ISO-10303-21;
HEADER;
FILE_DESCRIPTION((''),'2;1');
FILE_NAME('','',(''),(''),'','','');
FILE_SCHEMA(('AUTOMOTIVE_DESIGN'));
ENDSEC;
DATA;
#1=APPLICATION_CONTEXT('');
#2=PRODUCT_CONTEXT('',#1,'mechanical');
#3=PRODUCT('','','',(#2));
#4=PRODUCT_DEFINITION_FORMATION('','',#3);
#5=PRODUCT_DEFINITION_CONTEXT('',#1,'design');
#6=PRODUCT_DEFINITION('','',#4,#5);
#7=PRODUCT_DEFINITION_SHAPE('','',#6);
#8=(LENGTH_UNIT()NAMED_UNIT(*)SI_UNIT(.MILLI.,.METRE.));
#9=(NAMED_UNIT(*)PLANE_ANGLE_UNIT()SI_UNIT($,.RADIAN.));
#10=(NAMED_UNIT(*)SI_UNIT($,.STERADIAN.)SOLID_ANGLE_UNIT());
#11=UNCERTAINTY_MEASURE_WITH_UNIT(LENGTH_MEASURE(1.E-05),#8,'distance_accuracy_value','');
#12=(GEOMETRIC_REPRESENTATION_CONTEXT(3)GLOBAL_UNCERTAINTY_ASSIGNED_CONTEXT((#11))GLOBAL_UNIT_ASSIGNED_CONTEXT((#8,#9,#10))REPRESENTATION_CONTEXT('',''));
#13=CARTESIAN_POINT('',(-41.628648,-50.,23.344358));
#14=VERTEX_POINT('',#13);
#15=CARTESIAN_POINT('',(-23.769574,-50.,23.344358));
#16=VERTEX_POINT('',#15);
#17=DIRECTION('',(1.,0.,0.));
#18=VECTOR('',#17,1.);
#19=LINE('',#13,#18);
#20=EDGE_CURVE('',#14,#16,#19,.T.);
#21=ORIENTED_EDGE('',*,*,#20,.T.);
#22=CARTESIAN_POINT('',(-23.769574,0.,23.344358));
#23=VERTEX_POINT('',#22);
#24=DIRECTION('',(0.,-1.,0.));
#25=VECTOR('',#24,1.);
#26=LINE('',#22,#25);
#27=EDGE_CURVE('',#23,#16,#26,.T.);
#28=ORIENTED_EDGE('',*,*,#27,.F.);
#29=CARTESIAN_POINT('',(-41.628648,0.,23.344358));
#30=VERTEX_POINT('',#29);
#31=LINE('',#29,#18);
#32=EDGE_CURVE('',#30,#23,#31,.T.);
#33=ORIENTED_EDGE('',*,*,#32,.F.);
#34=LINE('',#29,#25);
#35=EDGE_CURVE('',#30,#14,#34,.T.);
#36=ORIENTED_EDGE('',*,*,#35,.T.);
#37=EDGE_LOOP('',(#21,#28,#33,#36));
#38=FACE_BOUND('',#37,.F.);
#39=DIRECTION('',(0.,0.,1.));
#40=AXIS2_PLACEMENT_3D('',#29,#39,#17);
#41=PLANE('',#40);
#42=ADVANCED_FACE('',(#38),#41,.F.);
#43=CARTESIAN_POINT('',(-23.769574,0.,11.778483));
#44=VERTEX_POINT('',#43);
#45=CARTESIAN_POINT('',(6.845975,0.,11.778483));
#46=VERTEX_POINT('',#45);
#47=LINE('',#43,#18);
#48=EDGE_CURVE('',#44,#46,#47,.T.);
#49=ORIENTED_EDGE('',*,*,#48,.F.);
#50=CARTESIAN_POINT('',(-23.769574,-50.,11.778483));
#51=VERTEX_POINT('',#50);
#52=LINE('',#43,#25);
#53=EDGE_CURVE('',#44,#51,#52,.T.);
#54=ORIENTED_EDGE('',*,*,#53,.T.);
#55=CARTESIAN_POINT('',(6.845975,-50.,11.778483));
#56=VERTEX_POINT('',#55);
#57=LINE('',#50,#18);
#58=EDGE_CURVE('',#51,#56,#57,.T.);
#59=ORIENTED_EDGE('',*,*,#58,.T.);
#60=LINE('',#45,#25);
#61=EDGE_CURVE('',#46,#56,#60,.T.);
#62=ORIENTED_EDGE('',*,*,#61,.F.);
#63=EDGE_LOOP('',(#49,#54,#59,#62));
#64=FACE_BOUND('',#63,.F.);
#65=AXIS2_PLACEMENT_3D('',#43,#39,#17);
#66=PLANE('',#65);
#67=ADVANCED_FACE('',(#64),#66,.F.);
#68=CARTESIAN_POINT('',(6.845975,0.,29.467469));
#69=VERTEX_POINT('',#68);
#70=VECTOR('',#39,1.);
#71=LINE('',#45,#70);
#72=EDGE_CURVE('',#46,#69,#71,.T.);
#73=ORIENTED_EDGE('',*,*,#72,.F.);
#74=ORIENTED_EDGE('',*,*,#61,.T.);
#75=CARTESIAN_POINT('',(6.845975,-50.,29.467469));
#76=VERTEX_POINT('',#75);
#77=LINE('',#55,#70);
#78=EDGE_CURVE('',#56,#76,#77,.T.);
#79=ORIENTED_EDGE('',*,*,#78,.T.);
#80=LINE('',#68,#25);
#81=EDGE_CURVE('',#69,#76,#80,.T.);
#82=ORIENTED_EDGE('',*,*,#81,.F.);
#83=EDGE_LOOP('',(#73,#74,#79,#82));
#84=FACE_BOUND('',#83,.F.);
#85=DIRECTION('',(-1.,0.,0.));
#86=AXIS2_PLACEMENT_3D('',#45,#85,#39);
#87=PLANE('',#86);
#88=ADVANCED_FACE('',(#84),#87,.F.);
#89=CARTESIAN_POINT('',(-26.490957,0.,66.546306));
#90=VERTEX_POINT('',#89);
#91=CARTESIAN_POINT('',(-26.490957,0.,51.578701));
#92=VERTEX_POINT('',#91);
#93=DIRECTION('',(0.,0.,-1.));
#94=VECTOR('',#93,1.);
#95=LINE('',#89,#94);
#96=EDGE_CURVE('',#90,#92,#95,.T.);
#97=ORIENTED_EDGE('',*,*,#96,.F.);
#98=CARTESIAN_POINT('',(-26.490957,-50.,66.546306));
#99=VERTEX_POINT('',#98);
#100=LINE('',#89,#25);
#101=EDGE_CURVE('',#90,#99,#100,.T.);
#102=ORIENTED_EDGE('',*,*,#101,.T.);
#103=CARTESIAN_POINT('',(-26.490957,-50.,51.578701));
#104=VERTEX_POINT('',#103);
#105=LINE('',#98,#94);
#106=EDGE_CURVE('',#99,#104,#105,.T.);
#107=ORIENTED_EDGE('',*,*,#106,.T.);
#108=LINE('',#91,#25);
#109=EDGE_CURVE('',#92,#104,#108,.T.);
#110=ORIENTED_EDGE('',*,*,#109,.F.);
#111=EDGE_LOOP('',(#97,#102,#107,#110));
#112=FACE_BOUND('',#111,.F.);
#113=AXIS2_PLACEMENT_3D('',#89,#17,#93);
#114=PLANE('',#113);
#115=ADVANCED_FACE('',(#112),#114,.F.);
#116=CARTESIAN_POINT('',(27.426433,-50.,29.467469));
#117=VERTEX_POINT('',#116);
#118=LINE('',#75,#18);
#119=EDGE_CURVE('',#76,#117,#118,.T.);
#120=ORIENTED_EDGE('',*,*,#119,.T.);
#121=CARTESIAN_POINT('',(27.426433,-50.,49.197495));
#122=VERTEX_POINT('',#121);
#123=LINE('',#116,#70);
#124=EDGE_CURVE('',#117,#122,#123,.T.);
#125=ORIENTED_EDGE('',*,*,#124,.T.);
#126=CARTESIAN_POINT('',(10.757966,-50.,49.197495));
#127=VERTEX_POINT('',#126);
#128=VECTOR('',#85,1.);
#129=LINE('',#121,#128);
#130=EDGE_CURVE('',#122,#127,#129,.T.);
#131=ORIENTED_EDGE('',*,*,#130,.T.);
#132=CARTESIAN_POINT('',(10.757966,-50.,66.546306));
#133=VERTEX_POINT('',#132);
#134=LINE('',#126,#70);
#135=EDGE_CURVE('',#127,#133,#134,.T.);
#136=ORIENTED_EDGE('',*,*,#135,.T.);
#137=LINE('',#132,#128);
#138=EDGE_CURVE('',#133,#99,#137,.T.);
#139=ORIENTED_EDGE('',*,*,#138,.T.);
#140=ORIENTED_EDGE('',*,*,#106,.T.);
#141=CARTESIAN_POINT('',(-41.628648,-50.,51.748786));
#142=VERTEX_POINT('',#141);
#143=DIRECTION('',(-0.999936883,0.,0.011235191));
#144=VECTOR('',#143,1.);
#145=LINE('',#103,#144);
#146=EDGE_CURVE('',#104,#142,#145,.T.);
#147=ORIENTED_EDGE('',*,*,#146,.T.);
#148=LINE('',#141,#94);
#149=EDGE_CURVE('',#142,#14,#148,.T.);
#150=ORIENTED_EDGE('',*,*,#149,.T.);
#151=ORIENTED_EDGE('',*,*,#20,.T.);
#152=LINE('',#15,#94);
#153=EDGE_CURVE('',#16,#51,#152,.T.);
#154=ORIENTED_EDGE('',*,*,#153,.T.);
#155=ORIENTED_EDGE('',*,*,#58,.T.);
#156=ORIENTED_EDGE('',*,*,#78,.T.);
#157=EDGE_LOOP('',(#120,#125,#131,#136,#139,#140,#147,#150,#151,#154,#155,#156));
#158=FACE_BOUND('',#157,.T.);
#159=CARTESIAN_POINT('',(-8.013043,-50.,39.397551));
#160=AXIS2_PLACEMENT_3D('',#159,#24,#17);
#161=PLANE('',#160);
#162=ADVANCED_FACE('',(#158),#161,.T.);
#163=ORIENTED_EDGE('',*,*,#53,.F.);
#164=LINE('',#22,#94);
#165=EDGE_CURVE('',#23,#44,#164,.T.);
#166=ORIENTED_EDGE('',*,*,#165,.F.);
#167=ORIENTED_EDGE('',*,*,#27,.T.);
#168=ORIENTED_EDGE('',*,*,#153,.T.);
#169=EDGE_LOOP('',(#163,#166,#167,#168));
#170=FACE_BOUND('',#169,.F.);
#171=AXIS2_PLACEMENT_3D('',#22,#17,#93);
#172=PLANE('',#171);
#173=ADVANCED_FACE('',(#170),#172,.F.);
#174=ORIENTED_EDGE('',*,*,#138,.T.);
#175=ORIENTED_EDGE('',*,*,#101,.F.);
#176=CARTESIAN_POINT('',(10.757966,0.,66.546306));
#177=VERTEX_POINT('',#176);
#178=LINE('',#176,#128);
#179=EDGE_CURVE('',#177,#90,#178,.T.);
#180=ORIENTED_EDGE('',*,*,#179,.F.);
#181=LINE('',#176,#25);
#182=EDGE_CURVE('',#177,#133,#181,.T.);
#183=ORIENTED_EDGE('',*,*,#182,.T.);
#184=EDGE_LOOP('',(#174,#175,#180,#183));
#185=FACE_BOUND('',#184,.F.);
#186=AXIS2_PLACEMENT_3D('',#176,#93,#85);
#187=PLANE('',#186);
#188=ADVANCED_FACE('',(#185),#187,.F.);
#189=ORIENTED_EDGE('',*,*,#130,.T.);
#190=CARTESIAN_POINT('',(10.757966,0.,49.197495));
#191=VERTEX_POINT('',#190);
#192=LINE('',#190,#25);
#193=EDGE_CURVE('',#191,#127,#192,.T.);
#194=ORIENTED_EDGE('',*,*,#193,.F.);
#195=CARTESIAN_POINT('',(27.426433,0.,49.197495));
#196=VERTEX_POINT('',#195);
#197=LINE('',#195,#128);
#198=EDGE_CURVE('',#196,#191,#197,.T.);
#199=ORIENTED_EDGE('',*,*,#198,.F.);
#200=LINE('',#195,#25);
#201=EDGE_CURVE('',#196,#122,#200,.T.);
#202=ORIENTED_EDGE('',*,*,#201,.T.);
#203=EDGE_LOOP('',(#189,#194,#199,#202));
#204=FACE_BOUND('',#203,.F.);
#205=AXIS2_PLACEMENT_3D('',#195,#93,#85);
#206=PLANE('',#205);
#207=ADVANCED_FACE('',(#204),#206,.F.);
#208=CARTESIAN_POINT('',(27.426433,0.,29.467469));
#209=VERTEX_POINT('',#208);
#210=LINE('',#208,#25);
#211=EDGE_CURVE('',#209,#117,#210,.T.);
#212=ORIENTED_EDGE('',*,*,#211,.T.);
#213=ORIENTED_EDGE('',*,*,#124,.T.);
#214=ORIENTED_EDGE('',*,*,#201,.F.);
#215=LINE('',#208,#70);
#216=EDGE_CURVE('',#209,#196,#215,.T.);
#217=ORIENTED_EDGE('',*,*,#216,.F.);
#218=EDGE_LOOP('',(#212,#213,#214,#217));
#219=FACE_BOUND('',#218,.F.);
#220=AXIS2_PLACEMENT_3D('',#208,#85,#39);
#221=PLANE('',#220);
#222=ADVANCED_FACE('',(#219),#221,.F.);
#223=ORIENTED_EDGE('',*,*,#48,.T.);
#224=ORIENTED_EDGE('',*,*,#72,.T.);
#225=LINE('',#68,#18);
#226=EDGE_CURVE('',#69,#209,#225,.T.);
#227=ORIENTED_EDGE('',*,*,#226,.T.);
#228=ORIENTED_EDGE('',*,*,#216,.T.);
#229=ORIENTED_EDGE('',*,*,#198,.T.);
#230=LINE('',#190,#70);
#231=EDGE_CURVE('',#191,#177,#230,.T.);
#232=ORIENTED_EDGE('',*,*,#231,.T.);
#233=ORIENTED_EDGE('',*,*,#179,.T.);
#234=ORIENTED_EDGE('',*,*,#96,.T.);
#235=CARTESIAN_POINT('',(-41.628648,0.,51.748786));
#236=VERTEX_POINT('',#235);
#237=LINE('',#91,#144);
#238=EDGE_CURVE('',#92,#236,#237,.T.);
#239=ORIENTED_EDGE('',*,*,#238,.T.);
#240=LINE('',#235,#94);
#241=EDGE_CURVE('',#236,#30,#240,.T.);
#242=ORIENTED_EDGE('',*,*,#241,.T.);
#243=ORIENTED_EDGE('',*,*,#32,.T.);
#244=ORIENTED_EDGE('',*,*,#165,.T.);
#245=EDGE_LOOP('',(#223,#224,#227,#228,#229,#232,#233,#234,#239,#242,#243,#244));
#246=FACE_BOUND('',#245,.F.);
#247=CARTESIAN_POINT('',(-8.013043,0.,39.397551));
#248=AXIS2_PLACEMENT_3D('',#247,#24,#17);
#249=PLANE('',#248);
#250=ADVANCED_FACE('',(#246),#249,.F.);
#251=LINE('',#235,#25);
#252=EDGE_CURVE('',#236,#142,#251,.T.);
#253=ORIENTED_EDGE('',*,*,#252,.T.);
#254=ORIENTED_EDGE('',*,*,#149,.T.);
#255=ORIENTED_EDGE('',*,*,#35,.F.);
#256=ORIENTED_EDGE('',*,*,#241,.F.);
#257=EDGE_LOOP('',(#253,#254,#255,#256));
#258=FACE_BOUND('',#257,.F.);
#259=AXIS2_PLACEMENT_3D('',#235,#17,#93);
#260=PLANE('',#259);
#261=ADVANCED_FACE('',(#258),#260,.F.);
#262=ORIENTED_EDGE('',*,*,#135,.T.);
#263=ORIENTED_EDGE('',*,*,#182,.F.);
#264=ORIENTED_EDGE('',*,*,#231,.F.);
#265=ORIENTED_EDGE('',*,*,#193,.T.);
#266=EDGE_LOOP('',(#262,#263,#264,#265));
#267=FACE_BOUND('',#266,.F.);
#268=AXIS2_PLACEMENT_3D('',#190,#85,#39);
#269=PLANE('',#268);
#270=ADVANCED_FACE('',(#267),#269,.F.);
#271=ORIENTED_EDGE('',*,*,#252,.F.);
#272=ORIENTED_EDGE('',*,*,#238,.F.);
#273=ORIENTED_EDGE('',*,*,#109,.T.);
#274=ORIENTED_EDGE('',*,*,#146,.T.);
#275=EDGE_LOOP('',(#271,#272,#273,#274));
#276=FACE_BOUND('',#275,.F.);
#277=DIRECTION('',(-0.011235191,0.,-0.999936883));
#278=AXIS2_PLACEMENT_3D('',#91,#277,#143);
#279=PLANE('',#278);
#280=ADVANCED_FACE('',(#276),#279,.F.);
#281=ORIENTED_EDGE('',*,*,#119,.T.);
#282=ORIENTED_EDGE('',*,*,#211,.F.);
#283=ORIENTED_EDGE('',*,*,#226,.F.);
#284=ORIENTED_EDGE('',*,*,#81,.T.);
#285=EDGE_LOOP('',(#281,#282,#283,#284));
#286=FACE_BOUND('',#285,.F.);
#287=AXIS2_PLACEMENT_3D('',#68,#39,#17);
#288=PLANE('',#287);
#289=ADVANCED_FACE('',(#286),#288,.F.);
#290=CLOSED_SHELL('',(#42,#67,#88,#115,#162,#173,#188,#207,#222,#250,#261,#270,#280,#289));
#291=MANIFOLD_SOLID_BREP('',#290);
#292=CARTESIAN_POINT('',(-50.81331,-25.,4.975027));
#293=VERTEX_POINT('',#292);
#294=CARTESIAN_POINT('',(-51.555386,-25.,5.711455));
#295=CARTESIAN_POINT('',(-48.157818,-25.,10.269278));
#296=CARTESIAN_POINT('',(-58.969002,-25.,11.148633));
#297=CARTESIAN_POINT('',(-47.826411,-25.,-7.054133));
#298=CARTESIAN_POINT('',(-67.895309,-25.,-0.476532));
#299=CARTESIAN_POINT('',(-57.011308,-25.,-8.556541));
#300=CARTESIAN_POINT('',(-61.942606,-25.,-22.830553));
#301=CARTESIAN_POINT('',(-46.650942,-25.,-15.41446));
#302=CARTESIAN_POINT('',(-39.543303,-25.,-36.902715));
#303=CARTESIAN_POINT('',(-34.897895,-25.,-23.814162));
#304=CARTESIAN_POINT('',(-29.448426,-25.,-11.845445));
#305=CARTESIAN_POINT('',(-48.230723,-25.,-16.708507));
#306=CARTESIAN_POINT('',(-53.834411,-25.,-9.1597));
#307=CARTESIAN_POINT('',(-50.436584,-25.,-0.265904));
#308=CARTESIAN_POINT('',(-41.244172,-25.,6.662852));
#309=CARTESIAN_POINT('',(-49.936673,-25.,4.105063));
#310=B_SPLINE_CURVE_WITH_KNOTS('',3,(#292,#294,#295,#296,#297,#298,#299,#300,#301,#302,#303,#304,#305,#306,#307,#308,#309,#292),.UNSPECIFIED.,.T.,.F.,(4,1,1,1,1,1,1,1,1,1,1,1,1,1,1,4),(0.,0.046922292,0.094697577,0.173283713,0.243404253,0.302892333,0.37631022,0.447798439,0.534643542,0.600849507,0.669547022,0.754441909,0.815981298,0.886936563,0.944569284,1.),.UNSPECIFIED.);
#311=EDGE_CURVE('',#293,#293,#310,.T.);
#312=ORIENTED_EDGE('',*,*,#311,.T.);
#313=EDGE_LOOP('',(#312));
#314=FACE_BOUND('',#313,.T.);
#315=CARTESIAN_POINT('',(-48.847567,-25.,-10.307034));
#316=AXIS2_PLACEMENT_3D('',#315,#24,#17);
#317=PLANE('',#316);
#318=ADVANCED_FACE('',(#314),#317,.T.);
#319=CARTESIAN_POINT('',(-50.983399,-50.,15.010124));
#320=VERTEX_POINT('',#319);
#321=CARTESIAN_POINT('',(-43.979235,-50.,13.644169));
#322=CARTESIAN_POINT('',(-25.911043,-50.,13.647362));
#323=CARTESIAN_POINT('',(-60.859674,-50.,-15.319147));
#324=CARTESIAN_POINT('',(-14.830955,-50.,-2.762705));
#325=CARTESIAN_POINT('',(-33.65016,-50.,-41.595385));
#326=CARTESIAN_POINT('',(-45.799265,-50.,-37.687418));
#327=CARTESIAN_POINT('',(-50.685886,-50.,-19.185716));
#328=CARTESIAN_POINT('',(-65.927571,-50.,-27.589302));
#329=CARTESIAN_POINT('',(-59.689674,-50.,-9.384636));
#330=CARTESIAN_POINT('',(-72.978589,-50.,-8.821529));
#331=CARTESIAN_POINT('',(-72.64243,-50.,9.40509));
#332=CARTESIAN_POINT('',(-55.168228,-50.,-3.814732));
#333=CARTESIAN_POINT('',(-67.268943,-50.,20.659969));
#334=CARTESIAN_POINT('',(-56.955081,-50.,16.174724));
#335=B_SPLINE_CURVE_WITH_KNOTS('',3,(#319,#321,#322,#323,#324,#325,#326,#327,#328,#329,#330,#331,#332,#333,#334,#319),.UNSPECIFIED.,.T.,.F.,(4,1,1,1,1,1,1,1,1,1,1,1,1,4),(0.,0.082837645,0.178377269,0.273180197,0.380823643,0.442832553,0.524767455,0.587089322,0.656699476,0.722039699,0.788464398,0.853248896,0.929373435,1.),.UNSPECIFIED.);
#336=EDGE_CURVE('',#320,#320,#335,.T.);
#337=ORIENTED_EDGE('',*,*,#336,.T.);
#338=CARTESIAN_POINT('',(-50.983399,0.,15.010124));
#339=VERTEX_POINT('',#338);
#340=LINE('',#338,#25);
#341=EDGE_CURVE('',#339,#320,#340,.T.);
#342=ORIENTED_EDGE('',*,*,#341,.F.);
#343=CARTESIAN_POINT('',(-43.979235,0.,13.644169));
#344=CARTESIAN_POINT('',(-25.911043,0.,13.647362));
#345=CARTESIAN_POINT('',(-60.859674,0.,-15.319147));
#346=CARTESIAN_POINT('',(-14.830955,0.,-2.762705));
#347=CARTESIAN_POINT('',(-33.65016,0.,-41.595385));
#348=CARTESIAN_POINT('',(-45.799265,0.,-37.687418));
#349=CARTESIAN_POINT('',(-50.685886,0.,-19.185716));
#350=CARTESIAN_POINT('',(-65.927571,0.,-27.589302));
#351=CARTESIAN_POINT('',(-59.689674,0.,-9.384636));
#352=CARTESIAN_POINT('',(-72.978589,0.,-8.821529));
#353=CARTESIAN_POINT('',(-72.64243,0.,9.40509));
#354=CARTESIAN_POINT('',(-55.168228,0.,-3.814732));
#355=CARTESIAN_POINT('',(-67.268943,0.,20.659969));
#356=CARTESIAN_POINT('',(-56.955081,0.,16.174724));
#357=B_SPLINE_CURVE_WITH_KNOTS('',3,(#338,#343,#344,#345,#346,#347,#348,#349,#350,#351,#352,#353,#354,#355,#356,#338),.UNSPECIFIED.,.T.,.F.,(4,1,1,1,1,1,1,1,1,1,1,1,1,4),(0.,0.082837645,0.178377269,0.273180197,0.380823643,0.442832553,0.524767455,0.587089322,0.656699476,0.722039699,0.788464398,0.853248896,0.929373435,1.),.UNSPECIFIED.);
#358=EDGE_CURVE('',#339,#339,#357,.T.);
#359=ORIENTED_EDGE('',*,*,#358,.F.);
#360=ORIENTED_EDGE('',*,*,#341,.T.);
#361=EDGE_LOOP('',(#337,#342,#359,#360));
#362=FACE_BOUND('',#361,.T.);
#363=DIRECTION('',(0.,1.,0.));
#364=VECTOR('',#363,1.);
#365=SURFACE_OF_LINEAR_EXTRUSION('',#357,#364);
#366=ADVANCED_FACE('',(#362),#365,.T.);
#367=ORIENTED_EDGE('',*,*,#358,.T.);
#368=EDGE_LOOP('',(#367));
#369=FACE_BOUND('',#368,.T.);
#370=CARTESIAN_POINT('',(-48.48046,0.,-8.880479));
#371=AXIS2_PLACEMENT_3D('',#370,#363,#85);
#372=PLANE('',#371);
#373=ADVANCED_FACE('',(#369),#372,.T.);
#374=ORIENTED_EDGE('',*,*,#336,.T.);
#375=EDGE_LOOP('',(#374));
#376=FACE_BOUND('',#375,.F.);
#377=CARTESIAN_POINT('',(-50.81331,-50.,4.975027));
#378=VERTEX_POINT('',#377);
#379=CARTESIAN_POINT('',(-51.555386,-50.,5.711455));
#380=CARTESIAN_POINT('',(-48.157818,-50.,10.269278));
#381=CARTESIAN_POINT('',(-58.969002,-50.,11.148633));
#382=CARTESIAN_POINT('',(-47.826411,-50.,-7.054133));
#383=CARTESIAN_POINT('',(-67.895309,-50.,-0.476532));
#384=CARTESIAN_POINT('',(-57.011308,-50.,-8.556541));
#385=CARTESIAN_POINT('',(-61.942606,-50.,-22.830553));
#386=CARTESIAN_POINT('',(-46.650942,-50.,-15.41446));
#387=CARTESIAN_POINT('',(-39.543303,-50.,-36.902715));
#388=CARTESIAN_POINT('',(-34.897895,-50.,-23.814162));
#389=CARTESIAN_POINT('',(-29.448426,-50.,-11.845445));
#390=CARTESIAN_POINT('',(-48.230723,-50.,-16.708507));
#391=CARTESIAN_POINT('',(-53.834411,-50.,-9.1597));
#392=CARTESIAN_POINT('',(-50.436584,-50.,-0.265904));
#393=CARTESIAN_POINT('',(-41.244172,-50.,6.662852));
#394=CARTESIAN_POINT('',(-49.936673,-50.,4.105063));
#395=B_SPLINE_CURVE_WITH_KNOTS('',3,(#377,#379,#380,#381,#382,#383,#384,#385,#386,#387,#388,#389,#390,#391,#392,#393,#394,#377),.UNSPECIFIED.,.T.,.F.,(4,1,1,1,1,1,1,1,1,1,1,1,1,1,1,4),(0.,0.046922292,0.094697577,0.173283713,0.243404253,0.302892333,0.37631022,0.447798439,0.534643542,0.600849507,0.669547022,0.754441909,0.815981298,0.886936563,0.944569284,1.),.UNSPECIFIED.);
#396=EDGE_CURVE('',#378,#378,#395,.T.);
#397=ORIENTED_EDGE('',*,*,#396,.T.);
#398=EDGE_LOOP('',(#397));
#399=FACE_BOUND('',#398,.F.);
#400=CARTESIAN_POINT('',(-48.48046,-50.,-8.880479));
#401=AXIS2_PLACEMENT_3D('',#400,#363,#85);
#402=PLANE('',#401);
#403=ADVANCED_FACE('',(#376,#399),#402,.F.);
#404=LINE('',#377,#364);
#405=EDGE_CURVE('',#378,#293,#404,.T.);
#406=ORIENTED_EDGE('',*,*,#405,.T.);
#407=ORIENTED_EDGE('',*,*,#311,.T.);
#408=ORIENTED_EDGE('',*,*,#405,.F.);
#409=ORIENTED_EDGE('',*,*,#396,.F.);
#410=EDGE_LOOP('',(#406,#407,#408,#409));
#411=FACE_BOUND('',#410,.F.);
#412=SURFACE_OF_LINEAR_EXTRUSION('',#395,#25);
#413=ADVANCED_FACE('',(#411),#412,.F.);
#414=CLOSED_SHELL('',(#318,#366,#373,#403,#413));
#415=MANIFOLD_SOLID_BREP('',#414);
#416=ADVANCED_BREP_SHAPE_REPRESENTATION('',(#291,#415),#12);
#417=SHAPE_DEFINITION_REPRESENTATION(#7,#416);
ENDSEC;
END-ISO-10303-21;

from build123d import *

# Parameters (mm, degrees)
F1_DEPTH = 50
F3_DEPTH = 25


with BuildPart() as f1:
    # F0 (on Front) → F1 (new body)
    with BuildSketch(Plane.XZ):
        Polygon((-26.4909565449, 51.5787005424), (-41.6286475956, 51.7487861216), (-41.6286475956, 23.3443584293), (-23.7695742399, 23.3443584293), (-23.7695742399, 11.7784831673), (6.8459752947, 11.7784831673), (6.8459752947, 29.4674690813), (27.4264328182, 29.4674690813), (27.4264328182, 49.1974949837), (10.7579659671, 49.1974949837), (10.7579659671, 66.5463060141), (-26.4909565449, 66.5463060141), align=None)
    extrude(amount=F1_DEPTH)


with BuildPart() as f1b:
    # F0 (on Front) → F1, piece 2 (new body)
    with BuildSketch(Plane.XZ):
        with BuildLine():
            add(Edge.make_bspline(
                [(-50.9833991528, 15.0101240724), (-43.9792349037, 13.6441693907), (-25.911043236, 13.6473617257), (-60.8596742323, -15.3191466581), (-14.8309549192, -2.7627047525), (-33.6501597144, -41.5953851726), (-45.7992648331, -37.6874180295), (-50.6858856662, -19.1857161117), (-65.9275705661, -27.5893021871), (-59.6896741564, -9.384636205), (-72.9785894339, -8.8215294352), (-72.6424299394, 9.4050898325), (-55.1682280417, -3.8147316828), (-67.2689432703, 20.6599685524), (-56.955081044, 16.1747236659), (-50.9833991528, 15.0101240724)],
                knots=[0, 0, 0, 0, 0.0828376449, 0.1783772688, 0.2731801967, 0.3808236427, 0.4428325527, 0.5247674548, 0.5870893216, 0.6566994761, 0.7220396992, 0.788464398, 0.8532488958, 0.9293734346, 1, 1, 1, 1], degree=3))
        make_face()
    extrude(amount=F1_DEPTH)

    # F2 (on face) → F3 (cut)
    with BuildSketch(Plane.XZ.offset(50)):
        with BuildLine():
            add(Edge.make_bspline(
                [(-50.8133098483, 4.9750274047), (-51.5553862729, 5.7114554256), (-48.1578177592, 10.2692782267), (-58.9690022177, 11.1486325331), (-47.8264108264, -7.0541330547), (-67.8953094289, -0.4765315887), (-57.0113083878, -8.55654061), (-61.9426057038, -22.830553001), (-46.6509415546, -15.4144595026), (-39.5433028873, -36.9027152524), (-34.8978946563, -23.8141620252), (-29.4484262604, -11.8454449754), (-48.2307231035, -16.7085066879), (-53.8344113908, -9.1596998431), (-50.4365844241, -0.2659040188), (-41.2441718347, 6.6628520808), (-49.9366726264, 4.1050628122), (-50.8133098483, 4.9750274047)],
                knots=[0, 0, 0, 0, 0.0469222919, 0.094697577, 0.1732837131, 0.2434042527, 0.3028923325, 0.3763102196, 0.4477984385, 0.5346435422, 0.6008495065, 0.6695470221, 0.754441909, 0.8159812981, 0.8869365628, 0.9445692839, 1, 1, 1, 1], degree=3))
        make_face()
    extrude(amount=-F3_DEPTH, mode=Mode.SUBTRACT)


solid = Compound([f1.part, f1b.part])
